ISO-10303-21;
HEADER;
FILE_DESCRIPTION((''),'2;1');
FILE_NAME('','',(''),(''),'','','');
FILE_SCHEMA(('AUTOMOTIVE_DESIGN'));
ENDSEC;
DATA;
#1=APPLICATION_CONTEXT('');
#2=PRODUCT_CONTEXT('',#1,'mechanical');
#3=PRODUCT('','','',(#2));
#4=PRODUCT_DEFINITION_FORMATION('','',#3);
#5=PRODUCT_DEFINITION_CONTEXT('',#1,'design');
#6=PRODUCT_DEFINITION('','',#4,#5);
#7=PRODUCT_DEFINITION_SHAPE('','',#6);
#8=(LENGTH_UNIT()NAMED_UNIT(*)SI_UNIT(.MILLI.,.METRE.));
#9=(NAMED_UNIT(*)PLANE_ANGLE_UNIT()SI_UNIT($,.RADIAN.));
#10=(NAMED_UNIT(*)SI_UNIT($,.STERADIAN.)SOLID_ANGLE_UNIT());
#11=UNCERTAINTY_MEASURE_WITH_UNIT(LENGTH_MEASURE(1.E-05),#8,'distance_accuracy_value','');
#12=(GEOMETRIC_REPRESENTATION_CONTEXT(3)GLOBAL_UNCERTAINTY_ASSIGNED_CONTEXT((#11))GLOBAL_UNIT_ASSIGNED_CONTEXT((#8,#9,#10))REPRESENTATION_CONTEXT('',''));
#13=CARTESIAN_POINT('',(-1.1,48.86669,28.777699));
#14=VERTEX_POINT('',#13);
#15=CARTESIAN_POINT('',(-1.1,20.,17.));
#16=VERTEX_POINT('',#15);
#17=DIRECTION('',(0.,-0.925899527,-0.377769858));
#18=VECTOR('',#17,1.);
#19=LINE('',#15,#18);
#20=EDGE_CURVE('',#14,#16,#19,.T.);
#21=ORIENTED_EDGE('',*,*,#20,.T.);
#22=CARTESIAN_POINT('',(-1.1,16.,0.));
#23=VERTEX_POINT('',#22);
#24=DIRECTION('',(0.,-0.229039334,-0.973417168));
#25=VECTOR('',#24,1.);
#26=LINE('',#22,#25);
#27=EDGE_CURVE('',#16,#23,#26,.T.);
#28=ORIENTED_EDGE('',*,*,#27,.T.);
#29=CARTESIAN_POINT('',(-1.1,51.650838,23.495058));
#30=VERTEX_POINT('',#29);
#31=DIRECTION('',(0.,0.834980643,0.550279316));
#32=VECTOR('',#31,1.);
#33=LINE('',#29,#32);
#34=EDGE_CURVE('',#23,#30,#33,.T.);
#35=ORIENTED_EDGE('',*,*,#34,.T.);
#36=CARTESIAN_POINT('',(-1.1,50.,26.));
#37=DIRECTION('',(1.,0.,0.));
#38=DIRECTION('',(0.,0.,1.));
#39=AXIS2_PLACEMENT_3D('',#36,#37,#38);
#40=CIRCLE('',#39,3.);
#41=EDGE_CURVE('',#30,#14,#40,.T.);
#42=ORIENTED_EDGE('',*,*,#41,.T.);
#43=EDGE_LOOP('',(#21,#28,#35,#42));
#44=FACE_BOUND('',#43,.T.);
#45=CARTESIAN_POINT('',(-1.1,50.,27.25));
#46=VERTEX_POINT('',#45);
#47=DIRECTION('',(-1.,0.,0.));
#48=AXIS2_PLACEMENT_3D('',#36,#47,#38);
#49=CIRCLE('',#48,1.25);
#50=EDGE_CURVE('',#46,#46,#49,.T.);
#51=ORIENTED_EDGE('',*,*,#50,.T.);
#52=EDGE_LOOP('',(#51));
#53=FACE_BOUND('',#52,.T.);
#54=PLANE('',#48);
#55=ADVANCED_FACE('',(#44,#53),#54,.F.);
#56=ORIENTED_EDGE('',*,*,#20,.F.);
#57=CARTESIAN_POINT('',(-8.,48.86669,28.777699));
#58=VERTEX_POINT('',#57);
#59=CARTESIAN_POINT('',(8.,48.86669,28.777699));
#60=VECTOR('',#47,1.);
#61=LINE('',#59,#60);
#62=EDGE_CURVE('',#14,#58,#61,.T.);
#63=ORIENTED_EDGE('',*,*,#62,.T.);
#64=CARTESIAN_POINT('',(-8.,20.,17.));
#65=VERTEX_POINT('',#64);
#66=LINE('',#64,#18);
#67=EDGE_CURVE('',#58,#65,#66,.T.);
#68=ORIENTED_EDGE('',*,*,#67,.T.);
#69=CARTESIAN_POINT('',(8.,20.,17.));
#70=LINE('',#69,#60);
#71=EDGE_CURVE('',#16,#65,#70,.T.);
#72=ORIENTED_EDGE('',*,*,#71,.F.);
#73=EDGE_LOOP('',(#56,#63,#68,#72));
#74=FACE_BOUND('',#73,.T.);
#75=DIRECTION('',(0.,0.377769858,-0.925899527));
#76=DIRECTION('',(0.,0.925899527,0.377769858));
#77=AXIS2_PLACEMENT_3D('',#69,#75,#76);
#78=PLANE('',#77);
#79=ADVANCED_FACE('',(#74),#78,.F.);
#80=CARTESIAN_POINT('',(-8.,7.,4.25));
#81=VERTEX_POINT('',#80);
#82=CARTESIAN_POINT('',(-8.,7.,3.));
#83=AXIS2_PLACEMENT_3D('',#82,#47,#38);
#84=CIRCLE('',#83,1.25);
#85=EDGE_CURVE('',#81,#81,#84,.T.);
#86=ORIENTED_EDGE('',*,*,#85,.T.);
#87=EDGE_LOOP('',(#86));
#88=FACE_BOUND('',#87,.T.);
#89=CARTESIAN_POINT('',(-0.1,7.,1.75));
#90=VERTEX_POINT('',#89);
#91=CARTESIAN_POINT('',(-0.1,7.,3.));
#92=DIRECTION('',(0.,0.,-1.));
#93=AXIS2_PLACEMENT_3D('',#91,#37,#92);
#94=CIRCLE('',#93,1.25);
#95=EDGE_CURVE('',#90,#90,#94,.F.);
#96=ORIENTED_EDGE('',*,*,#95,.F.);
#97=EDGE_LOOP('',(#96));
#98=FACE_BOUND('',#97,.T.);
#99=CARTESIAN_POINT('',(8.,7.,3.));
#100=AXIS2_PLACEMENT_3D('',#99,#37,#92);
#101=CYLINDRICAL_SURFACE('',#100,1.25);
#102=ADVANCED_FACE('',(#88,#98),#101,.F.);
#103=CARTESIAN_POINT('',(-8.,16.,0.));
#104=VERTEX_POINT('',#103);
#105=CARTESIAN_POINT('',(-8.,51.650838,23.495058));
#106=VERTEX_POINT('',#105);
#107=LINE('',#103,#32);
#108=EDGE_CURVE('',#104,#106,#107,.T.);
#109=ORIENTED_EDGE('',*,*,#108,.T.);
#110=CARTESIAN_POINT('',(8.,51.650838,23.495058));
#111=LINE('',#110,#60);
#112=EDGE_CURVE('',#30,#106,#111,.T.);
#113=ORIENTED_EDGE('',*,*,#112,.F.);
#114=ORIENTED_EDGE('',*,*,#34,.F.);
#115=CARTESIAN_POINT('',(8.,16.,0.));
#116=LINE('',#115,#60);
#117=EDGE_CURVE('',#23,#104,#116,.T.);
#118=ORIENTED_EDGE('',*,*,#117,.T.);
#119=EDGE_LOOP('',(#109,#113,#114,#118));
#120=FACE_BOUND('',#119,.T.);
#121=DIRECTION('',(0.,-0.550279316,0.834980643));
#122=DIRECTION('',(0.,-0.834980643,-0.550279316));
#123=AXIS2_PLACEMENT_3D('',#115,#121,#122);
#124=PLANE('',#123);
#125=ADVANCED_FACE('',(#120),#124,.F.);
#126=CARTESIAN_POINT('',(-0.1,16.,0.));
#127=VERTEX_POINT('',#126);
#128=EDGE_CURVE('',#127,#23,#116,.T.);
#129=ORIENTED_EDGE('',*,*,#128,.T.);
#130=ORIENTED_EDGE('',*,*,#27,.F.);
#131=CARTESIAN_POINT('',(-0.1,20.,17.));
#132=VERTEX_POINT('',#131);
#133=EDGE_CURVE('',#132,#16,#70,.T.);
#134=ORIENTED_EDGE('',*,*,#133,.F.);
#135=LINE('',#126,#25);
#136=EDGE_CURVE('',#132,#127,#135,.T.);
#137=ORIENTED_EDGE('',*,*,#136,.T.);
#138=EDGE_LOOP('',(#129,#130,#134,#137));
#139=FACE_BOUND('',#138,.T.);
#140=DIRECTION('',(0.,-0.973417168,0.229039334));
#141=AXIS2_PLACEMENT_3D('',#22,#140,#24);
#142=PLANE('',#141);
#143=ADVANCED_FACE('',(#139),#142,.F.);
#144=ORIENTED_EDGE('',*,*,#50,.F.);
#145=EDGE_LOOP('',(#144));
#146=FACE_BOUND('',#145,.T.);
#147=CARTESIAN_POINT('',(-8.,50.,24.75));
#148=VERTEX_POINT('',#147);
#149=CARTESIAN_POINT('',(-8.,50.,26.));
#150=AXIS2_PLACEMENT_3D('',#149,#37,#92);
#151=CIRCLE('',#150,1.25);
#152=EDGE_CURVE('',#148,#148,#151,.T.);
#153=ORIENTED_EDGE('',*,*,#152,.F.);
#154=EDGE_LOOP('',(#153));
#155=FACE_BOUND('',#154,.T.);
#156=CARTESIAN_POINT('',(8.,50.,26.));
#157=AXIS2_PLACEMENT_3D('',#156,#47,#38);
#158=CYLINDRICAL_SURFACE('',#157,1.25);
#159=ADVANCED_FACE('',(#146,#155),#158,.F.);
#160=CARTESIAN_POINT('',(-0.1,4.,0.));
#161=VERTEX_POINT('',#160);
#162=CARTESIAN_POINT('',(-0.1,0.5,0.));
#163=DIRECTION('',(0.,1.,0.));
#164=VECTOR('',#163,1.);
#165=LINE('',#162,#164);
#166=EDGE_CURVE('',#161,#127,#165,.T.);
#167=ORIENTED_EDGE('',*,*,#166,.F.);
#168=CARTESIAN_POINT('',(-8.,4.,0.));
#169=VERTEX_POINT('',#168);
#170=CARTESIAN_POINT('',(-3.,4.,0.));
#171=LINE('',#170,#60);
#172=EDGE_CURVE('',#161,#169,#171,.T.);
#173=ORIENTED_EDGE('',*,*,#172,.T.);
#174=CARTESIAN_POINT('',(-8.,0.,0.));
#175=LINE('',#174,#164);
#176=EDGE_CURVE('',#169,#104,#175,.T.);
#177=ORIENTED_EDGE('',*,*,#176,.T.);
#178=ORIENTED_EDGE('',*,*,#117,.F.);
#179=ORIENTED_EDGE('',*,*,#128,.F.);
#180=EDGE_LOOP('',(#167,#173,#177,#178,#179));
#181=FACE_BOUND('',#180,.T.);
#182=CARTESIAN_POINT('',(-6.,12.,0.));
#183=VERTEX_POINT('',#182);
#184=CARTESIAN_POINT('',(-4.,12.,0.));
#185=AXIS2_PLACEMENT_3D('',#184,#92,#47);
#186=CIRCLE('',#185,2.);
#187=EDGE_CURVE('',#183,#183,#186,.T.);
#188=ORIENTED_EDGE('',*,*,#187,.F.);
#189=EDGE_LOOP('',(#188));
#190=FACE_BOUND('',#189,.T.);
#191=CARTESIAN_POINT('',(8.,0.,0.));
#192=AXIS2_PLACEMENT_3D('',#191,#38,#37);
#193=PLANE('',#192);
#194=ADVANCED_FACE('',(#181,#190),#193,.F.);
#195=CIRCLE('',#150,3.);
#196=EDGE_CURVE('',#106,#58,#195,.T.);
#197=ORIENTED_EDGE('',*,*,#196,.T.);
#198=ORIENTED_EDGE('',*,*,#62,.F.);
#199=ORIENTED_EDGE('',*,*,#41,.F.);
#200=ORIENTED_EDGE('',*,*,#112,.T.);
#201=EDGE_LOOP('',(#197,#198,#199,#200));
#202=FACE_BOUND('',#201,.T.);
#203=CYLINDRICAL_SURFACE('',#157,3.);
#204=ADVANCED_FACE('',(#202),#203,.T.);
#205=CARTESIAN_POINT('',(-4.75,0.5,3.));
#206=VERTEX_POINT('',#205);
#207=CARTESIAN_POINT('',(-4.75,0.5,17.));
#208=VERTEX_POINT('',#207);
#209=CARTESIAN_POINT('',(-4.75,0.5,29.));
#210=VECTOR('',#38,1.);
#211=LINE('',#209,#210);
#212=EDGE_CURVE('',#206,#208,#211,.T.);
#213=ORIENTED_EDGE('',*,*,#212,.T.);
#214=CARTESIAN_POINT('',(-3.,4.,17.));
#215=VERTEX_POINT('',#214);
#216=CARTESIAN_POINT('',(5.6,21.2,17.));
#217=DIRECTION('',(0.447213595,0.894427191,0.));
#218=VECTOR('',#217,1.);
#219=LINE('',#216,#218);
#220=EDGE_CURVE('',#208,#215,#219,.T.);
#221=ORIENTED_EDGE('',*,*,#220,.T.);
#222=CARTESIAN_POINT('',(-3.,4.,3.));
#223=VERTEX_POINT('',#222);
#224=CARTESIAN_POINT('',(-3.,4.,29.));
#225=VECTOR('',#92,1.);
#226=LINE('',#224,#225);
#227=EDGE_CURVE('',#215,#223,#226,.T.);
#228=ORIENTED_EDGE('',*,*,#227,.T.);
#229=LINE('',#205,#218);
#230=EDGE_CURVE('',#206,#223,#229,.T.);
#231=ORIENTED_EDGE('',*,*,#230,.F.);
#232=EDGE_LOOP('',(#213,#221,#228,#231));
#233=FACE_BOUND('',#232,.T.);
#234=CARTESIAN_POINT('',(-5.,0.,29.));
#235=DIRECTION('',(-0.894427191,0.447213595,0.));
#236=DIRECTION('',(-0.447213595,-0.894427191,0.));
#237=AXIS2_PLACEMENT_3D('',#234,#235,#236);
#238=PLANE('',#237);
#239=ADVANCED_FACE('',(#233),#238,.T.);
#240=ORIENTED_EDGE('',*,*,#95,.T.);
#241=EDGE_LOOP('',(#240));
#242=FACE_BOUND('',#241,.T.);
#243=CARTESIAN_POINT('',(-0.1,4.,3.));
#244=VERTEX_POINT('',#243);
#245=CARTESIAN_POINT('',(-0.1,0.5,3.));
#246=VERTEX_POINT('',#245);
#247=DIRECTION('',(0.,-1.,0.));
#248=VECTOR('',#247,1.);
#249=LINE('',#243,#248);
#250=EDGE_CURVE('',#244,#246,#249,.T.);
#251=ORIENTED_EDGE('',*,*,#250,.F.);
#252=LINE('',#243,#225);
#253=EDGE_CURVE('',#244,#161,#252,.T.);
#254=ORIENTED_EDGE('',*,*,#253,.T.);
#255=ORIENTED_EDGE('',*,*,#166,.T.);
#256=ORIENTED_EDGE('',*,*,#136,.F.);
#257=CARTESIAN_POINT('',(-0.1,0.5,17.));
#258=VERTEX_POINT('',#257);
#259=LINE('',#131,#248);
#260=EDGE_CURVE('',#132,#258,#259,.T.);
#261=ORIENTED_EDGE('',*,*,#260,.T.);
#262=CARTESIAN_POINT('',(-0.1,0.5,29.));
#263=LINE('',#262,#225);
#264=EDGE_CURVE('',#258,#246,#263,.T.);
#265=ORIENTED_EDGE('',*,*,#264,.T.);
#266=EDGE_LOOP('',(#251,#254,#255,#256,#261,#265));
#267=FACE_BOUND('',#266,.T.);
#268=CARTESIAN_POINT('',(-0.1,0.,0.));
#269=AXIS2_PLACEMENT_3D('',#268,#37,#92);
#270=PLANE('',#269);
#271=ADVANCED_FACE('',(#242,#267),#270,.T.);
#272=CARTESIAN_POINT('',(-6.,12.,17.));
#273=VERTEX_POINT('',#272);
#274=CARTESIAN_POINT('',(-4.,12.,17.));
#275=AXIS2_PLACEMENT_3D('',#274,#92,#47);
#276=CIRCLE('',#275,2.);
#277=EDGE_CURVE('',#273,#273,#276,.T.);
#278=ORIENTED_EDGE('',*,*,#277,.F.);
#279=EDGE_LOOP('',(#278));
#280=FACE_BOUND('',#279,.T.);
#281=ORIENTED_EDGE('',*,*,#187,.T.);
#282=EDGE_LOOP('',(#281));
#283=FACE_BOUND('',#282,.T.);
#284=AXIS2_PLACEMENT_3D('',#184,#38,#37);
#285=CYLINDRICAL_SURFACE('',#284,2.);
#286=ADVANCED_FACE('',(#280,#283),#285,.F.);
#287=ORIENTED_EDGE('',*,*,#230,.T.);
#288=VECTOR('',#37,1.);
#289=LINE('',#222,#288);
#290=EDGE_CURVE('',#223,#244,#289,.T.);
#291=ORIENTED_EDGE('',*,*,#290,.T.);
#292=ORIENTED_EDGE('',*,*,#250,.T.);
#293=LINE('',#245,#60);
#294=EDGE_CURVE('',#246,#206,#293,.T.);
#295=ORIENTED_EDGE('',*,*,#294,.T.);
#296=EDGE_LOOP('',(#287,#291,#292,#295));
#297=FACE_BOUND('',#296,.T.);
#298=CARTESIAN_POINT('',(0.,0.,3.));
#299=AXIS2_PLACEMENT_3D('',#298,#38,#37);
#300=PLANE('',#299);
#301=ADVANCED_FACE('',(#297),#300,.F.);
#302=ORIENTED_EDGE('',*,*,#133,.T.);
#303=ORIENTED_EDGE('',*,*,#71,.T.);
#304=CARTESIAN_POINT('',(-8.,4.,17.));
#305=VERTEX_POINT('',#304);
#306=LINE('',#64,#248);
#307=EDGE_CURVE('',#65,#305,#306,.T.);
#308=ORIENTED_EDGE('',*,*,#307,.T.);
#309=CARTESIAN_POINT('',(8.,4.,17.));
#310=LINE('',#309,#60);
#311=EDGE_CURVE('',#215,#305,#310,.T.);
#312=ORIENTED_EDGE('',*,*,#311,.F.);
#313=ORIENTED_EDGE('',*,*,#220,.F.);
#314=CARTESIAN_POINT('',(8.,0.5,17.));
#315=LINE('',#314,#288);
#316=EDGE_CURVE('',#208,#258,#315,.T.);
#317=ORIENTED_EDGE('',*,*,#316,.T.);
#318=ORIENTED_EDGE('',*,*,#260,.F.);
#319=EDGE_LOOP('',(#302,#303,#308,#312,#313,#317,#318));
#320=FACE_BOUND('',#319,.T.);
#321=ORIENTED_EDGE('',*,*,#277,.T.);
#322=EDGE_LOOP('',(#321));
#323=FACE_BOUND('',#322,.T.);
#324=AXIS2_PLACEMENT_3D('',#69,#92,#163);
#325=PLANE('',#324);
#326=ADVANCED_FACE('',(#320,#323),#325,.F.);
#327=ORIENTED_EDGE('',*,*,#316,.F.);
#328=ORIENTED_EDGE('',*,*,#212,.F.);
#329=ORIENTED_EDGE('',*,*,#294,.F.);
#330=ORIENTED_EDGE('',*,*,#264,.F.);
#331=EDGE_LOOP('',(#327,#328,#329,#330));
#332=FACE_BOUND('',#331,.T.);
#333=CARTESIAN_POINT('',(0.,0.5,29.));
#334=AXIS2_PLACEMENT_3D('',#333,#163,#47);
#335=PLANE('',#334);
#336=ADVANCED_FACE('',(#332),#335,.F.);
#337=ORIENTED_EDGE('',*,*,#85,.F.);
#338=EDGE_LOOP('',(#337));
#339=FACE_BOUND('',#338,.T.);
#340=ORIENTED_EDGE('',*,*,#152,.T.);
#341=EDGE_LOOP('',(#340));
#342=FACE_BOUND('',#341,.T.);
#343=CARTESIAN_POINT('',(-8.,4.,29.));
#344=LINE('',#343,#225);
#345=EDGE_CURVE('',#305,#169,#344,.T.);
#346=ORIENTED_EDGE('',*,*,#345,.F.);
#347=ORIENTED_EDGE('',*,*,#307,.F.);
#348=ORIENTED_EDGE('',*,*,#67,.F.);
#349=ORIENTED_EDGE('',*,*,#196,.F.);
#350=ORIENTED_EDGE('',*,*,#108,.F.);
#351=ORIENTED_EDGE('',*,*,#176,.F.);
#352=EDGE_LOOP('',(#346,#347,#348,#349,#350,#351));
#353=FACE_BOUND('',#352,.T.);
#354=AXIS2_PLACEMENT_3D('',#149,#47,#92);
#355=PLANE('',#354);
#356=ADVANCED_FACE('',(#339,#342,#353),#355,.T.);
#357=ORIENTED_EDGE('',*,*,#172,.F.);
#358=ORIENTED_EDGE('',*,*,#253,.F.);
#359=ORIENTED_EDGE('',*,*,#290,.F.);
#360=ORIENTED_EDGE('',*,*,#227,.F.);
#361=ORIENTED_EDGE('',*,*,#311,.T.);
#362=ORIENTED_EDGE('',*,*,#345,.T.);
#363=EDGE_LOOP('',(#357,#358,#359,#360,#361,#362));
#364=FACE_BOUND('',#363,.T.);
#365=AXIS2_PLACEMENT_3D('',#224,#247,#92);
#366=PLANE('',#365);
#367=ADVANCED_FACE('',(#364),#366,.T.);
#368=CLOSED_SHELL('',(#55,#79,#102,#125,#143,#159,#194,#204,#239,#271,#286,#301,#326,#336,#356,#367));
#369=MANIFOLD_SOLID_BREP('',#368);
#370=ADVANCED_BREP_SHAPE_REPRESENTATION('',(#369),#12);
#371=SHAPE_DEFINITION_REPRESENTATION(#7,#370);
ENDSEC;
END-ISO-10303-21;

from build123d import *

# Parameters (mm, degrees)
SKETCH1_R             = 1.25
BOSS_EXTRUDE1_DEPTH   = 8
CUT_EXTRUDE2_DEPTH    = 61.942595941
M3X0_5_TAPPED_HOLE1_D = 2.5
SKETCH7_W             = 8
SKETCH7_H             = 0.5
CUT_EXTRUDE3_DEPTH    = 61.942595941
SKETCH8_R             = 2
CUT_EXTRUDE4_DEPTH    = 57.231663678
SKETCH9_W             = 38.671878994
SKETCH9_H             = 56.45112265
CUT_EXTRUDE5_DEPTH    = 8.1
CUT_EXTRUDE6_DEPTH    = 3
CUT_EXTRUDE8_START    = -1
CUT_EXTRUDE8_DEPTH    = 1


with BuildPart() as part:
    # Sketch1 → Boss-Extrude1 (new body)
    with BuildSketch(Plane(origin=(0, 0, 0), x_dir=(0, 0, -1), z_dir=(1, 0, 0))):
        with BuildLine():
            Line((0, 0), (0, 16))
            Line((0, 16), (-23.49505807, 51.650837947))
            ThreePointArc((-23.49505807, 51.650837947), (-27.398738146, 52.653965259), (-28.777698581, 48.866690426))
            Line((-28.777698581, 48.866690426), (-17, 20))
            Line((-17, 20), (-17, 0))
            Line((-17, 0), (0, 0))
        make_face()
        with Locations((-26, 50)):
            Circle(SKETCH1_R, mode=Mode.SUBTRACT)
    boss_extrude1 = extrude(amount=BOSS_EXTRUDE1_DEPTH)

    # Sketch3 → Cut-Extrude2 (cut, through all)
    with BuildSketch(Plane(origin=(0, 0, 0), x_dir=(-1, 0, 0), z_dir=(0, 0, -1))):
        Polygon((-8, 0), (-5, 0), (-3, 4), (-8, 4), align=None)
    cut_extrude2 = extrude(amount=-CUT_EXTRUDE2_DEPTH, mode=Mode.SUBTRACT)

    # M3x0.5 Tapped Hole1 (through all)
    with Locations(Plane(origin=(8, 7, 3), x_dir=(0, 0, 1), z_dir=(1, 0, 0))):
        with Locations((0, 0)):
            m3x0_5_tapped_hole1 = Hole(M3X0_5_TAPPED_HOLE1_D / 2)

    # Sketch7 → Cut-Extrude3 (cut, through all)
    with BuildSketch(Plane(origin=(0, 0, 0), x_dir=(-1, 0, 0), z_dir=(0, 0, -1))):
        with Locations((-4, 0.25)):
            Rectangle(SKETCH7_W, SKETCH7_H)
    cut_extrude3 = extrude(amount=-CUT_EXTRUDE3_DEPTH, mode=Mode.SUBTRACT)

    # Sketch8 → Cut-Extrude4 (cut, through all)
    with BuildSketch(Plane.XY.offset(17)):
        with Locations((4, 12)):
            Circle(SKETCH8_R)
    cut_extrude4 = extrude(amount=-CUT_EXTRUDE4_DEPTH, mode=Mode.SUBTRACT)

    # Mirror1: Boss-Extrude1, Cut-Extrude2, M3x0.5 Tapped Hole1, Cut-Extrude3, Cut-Extrude4 across plane
    add(boss_extrude1.mirror(Plane(origin=(0, 50, 26), x_dir=(0, 0, 1), z_dir=(1, 0, 0))))
    add(cut_extrude2.mirror(Plane(origin=(0, 50, 26), x_dir=(0, 0, 1), z_dir=(1, 0, 0))), mode=Mode.SUBTRACT)
    add(m3x0_5_tapped_hole1.mirror(Plane(origin=(0, 50, 26), x_dir=(0, 0, 1), z_dir=(1, 0, 0))), mode=Mode.SUBTRACT)
    add(cut_extrude3.mirror(Plane(origin=(0, 50, 26), x_dir=(0, 0, 1), z_dir=(1, 0, 0))), mode=Mode.SUBTRACT)
    add(cut_extrude4.mirror(Plane(origin=(0, 50, 26), x_dir=(0, 0, 1), z_dir=(1, 0, 0))), mode=Mode.SUBTRACT)

    # Sketch9 → Cut-Extrude5 (cut)
    with BuildSketch(Plane(origin=(8, 0, 0), x_dir=(0, 0, -1), z_dir=(1, 0, 0))):
        with Locations((-19.335939497, 28.725561325)):
            Rectangle(SKETCH9_W, SKETCH9_H)
    extrude(amount=-CUT_EXTRUDE5_DEPTH, mode=Mode.SUBTRACT)

    # Sketch10 → Cut-Extrude6 (cut)
    with BuildSketch(Plane(origin=(0, 0, 0), x_dir=(-1, 0, 0), z_dir=(0, 0, -1))):
        Polygon((4.75, 0.5), (3, 4), (0.1, 4), (0.1, 0.5), align=None)
    extrude(amount=-CUT_EXTRUDE6_DEPTH, mode=Mode.SUBTRACT)

    # Sketch12 → Cut-Extrude8 (cut)
    with BuildSketch(Plane(origin=(-0.1, 0, 0), x_dir=(0, 0, -1), z_dir=(1, 0, 0)).offset(CUT_EXTRUDE8_START)):
        with BuildLine():
            Line((-17, 20), (-28.777698581, 48.866690426))
            ThreePointArc((-28.777698581, 48.866690426), (-27.398738146, 52.653965259), (-23.49505807, 51.650837947))
            Line((-23.49505807, 51.650837947), (0, 16))
            Line((0, 16), (-17, 20))
        make_face()
    extrude(amount=CUT_EXTRUDE8_DEPTH, mode=Mode.SUBTRACT)


solid = part.part
